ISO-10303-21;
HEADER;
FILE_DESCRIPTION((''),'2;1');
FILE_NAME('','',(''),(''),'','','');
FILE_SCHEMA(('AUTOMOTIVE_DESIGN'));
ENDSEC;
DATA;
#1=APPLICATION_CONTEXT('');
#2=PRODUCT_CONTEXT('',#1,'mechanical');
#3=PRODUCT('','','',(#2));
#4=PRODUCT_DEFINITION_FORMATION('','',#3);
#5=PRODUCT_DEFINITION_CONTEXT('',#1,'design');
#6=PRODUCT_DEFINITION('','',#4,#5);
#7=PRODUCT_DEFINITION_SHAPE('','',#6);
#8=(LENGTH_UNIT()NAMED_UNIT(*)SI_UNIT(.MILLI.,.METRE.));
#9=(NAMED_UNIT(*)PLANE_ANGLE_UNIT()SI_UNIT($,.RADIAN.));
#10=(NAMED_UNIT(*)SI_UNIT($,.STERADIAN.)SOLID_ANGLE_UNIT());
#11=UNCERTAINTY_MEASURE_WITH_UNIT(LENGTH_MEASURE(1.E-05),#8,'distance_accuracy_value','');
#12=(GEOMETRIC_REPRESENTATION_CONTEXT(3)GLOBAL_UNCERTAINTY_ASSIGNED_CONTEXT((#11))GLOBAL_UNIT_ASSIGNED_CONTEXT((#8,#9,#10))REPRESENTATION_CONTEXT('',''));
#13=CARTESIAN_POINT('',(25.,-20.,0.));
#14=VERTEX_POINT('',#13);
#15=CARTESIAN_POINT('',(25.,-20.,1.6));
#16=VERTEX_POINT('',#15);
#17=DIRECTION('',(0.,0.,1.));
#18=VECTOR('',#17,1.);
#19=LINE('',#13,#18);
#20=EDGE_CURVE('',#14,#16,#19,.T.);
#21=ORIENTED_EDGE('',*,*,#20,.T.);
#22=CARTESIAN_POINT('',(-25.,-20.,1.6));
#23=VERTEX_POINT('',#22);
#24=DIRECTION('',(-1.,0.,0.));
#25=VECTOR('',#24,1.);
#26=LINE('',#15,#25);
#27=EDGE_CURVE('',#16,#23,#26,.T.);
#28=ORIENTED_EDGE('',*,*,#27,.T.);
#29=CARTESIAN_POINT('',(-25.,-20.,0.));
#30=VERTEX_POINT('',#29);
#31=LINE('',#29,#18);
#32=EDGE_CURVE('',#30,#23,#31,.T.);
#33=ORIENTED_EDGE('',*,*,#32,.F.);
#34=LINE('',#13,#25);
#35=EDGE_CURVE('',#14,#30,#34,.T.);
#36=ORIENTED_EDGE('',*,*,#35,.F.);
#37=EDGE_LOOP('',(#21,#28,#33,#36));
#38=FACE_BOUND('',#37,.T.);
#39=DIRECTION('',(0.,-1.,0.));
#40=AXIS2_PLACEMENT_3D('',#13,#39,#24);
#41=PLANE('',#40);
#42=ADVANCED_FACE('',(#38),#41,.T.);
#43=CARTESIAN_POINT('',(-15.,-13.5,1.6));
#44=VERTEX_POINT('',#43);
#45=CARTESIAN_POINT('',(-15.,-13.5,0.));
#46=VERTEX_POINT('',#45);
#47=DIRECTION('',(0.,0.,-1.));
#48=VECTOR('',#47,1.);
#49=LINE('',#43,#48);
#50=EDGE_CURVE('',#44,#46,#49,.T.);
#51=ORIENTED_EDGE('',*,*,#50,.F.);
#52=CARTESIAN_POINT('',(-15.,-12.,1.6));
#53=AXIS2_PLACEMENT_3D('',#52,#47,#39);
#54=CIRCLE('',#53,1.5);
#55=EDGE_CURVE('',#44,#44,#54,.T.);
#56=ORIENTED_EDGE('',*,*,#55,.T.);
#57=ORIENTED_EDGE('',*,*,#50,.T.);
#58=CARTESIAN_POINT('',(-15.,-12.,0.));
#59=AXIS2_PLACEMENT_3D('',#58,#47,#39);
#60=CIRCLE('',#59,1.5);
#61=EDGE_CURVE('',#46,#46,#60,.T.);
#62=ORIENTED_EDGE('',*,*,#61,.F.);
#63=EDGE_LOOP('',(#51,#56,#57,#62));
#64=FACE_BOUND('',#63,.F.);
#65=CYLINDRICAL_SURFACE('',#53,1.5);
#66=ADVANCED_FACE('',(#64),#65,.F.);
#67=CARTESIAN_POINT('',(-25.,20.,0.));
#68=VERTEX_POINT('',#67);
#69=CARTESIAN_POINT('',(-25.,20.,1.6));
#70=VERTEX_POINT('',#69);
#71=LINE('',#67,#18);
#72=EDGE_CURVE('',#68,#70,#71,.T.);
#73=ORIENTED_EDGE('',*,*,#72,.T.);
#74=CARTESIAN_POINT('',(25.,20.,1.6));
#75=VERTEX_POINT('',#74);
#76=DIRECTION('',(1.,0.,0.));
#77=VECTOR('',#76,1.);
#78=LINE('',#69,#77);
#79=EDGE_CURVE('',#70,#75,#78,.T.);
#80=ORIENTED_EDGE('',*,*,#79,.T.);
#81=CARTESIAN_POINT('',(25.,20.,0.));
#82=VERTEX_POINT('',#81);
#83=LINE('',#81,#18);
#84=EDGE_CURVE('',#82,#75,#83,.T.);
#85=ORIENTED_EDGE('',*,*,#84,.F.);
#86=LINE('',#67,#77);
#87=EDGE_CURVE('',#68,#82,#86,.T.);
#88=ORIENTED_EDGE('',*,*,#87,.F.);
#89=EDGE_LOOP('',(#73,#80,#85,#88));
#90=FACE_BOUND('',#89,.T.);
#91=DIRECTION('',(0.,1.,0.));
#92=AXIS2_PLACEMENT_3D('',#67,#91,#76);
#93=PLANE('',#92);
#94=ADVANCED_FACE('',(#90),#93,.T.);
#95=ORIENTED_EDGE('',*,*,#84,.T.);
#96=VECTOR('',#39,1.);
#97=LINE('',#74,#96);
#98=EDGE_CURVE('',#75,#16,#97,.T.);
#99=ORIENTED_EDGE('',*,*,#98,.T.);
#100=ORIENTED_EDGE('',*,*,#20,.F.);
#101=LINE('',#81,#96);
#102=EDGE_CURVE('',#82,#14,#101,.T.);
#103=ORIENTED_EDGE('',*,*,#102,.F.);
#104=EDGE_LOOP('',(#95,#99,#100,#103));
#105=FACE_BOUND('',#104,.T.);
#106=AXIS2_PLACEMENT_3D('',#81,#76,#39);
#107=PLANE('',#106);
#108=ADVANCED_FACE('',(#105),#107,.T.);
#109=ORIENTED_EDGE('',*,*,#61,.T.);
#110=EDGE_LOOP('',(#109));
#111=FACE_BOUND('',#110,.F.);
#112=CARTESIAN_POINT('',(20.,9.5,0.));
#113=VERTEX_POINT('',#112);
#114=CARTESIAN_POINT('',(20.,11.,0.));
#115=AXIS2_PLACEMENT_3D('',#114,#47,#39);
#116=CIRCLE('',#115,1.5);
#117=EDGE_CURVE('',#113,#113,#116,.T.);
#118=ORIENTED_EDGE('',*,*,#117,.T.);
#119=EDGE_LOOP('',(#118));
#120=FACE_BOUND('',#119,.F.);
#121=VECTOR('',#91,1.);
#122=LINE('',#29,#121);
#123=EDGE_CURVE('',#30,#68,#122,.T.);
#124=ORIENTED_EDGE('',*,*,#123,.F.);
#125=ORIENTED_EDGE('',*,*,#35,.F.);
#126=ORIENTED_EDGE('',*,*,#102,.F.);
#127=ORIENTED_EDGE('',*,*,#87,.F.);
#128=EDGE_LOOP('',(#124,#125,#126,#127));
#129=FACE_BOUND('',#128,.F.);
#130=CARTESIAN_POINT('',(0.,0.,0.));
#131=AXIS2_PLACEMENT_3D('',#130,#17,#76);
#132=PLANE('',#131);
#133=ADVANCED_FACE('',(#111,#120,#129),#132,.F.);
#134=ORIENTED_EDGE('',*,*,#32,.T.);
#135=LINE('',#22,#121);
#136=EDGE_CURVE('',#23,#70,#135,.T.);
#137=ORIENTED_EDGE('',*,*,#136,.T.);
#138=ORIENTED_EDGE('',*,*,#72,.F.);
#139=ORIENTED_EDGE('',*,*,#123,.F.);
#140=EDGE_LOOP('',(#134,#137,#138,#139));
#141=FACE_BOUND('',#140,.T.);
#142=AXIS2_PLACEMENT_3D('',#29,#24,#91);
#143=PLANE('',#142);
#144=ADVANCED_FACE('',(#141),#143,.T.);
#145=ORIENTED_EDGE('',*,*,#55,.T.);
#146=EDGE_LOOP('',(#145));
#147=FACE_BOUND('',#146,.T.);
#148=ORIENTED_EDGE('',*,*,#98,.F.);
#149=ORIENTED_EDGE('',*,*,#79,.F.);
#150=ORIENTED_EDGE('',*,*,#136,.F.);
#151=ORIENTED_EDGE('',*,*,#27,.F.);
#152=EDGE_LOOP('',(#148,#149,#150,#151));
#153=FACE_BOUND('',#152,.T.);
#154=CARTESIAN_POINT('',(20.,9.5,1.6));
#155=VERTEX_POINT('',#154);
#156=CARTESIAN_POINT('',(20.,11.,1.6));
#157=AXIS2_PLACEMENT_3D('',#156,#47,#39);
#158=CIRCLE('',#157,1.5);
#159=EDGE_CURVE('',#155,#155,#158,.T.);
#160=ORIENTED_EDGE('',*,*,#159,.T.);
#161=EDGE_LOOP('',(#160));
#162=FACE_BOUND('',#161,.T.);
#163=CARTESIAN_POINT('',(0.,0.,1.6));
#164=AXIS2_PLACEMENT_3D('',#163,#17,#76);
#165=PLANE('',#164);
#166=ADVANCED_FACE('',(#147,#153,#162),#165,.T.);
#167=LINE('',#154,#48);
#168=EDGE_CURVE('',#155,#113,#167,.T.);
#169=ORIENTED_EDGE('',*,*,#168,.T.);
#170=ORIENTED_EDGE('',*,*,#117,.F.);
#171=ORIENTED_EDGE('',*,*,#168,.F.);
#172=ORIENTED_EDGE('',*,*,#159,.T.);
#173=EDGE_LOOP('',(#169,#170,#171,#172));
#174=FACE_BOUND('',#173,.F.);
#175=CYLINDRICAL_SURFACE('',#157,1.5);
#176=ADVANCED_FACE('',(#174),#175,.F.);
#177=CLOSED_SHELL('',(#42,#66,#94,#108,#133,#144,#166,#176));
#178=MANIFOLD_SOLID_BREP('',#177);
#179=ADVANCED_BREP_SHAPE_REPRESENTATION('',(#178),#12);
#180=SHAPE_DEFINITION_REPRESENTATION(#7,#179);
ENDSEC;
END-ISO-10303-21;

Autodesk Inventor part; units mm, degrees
ref_plane "YZ Plane" through (0, 0, 0) normal (1, 0, 0) x (0, 1, 0)
ref_plane "XZ Plane" through (0, 0, 0) normal (0, 1, 0) x (-1, 0, 0)
ref_plane "XY Plane" through (0, 0, 0) normal (0, 0, 1) x (1, 0, 0)
sketch "Sketch1" plane through (0, 0, 0) normal (0, 0, 1) x (1, 0, 0)
  line L0 (25, -20) -> (-25, -20)
  line L1 (-25, -20) -> (-25, 20)
  line L2 (-25, 20) -> (25, 20)
  line L3 (25, 20) -> (25, -20)
  line L4 (25, 0) -> (-25, 0) construction
  point P0 (0, 0)
  point P1 (0, 0)
  dimension "d0" = 50
  dimension "d1" = 40
extrude "Extrusion1" add sketch "Sketch1" along normal blind 1.6
sketch "Sketch2" plane through (0, 0, 1.6) normal (0, 0, 1) x (1, 0, 0)
  line L0 (-25, 18.8203) -> (25.4554, 18.8203) construction
  line L1 (25.4554, 18.8203) -> (25.4554, -19.9538) construction
  line L2 (25.4554, -19.9538) -> (-25, -19.9538) construction
  line L3 (-25, -19.9538) -> (-25, 18.8203) construction
  point P0 (0, 0)
sketch "Sketch3" plane through (0, 0, 1.6) normal (0, 0, 1) x (1, 0, 0)
  line L0 (-25, -20) -> (-25, 20) projected
  line L1 (25, -20) -> (-25, -20) projected
  point P0 (0, 0)
  point P1 (-15, -12)
  point P2 (20, 11)
  dimension "d5" = 8
  dimension "d6" = 10
  dimension "d7" = 45
  dimension "d8" = 31
hole "Hole1" at (20, 11, 1.6) at (-15, -12, 1.6) direction (0, 0, -1) diameter 3 end through all
properties part number "BOARD_IMAGE"
